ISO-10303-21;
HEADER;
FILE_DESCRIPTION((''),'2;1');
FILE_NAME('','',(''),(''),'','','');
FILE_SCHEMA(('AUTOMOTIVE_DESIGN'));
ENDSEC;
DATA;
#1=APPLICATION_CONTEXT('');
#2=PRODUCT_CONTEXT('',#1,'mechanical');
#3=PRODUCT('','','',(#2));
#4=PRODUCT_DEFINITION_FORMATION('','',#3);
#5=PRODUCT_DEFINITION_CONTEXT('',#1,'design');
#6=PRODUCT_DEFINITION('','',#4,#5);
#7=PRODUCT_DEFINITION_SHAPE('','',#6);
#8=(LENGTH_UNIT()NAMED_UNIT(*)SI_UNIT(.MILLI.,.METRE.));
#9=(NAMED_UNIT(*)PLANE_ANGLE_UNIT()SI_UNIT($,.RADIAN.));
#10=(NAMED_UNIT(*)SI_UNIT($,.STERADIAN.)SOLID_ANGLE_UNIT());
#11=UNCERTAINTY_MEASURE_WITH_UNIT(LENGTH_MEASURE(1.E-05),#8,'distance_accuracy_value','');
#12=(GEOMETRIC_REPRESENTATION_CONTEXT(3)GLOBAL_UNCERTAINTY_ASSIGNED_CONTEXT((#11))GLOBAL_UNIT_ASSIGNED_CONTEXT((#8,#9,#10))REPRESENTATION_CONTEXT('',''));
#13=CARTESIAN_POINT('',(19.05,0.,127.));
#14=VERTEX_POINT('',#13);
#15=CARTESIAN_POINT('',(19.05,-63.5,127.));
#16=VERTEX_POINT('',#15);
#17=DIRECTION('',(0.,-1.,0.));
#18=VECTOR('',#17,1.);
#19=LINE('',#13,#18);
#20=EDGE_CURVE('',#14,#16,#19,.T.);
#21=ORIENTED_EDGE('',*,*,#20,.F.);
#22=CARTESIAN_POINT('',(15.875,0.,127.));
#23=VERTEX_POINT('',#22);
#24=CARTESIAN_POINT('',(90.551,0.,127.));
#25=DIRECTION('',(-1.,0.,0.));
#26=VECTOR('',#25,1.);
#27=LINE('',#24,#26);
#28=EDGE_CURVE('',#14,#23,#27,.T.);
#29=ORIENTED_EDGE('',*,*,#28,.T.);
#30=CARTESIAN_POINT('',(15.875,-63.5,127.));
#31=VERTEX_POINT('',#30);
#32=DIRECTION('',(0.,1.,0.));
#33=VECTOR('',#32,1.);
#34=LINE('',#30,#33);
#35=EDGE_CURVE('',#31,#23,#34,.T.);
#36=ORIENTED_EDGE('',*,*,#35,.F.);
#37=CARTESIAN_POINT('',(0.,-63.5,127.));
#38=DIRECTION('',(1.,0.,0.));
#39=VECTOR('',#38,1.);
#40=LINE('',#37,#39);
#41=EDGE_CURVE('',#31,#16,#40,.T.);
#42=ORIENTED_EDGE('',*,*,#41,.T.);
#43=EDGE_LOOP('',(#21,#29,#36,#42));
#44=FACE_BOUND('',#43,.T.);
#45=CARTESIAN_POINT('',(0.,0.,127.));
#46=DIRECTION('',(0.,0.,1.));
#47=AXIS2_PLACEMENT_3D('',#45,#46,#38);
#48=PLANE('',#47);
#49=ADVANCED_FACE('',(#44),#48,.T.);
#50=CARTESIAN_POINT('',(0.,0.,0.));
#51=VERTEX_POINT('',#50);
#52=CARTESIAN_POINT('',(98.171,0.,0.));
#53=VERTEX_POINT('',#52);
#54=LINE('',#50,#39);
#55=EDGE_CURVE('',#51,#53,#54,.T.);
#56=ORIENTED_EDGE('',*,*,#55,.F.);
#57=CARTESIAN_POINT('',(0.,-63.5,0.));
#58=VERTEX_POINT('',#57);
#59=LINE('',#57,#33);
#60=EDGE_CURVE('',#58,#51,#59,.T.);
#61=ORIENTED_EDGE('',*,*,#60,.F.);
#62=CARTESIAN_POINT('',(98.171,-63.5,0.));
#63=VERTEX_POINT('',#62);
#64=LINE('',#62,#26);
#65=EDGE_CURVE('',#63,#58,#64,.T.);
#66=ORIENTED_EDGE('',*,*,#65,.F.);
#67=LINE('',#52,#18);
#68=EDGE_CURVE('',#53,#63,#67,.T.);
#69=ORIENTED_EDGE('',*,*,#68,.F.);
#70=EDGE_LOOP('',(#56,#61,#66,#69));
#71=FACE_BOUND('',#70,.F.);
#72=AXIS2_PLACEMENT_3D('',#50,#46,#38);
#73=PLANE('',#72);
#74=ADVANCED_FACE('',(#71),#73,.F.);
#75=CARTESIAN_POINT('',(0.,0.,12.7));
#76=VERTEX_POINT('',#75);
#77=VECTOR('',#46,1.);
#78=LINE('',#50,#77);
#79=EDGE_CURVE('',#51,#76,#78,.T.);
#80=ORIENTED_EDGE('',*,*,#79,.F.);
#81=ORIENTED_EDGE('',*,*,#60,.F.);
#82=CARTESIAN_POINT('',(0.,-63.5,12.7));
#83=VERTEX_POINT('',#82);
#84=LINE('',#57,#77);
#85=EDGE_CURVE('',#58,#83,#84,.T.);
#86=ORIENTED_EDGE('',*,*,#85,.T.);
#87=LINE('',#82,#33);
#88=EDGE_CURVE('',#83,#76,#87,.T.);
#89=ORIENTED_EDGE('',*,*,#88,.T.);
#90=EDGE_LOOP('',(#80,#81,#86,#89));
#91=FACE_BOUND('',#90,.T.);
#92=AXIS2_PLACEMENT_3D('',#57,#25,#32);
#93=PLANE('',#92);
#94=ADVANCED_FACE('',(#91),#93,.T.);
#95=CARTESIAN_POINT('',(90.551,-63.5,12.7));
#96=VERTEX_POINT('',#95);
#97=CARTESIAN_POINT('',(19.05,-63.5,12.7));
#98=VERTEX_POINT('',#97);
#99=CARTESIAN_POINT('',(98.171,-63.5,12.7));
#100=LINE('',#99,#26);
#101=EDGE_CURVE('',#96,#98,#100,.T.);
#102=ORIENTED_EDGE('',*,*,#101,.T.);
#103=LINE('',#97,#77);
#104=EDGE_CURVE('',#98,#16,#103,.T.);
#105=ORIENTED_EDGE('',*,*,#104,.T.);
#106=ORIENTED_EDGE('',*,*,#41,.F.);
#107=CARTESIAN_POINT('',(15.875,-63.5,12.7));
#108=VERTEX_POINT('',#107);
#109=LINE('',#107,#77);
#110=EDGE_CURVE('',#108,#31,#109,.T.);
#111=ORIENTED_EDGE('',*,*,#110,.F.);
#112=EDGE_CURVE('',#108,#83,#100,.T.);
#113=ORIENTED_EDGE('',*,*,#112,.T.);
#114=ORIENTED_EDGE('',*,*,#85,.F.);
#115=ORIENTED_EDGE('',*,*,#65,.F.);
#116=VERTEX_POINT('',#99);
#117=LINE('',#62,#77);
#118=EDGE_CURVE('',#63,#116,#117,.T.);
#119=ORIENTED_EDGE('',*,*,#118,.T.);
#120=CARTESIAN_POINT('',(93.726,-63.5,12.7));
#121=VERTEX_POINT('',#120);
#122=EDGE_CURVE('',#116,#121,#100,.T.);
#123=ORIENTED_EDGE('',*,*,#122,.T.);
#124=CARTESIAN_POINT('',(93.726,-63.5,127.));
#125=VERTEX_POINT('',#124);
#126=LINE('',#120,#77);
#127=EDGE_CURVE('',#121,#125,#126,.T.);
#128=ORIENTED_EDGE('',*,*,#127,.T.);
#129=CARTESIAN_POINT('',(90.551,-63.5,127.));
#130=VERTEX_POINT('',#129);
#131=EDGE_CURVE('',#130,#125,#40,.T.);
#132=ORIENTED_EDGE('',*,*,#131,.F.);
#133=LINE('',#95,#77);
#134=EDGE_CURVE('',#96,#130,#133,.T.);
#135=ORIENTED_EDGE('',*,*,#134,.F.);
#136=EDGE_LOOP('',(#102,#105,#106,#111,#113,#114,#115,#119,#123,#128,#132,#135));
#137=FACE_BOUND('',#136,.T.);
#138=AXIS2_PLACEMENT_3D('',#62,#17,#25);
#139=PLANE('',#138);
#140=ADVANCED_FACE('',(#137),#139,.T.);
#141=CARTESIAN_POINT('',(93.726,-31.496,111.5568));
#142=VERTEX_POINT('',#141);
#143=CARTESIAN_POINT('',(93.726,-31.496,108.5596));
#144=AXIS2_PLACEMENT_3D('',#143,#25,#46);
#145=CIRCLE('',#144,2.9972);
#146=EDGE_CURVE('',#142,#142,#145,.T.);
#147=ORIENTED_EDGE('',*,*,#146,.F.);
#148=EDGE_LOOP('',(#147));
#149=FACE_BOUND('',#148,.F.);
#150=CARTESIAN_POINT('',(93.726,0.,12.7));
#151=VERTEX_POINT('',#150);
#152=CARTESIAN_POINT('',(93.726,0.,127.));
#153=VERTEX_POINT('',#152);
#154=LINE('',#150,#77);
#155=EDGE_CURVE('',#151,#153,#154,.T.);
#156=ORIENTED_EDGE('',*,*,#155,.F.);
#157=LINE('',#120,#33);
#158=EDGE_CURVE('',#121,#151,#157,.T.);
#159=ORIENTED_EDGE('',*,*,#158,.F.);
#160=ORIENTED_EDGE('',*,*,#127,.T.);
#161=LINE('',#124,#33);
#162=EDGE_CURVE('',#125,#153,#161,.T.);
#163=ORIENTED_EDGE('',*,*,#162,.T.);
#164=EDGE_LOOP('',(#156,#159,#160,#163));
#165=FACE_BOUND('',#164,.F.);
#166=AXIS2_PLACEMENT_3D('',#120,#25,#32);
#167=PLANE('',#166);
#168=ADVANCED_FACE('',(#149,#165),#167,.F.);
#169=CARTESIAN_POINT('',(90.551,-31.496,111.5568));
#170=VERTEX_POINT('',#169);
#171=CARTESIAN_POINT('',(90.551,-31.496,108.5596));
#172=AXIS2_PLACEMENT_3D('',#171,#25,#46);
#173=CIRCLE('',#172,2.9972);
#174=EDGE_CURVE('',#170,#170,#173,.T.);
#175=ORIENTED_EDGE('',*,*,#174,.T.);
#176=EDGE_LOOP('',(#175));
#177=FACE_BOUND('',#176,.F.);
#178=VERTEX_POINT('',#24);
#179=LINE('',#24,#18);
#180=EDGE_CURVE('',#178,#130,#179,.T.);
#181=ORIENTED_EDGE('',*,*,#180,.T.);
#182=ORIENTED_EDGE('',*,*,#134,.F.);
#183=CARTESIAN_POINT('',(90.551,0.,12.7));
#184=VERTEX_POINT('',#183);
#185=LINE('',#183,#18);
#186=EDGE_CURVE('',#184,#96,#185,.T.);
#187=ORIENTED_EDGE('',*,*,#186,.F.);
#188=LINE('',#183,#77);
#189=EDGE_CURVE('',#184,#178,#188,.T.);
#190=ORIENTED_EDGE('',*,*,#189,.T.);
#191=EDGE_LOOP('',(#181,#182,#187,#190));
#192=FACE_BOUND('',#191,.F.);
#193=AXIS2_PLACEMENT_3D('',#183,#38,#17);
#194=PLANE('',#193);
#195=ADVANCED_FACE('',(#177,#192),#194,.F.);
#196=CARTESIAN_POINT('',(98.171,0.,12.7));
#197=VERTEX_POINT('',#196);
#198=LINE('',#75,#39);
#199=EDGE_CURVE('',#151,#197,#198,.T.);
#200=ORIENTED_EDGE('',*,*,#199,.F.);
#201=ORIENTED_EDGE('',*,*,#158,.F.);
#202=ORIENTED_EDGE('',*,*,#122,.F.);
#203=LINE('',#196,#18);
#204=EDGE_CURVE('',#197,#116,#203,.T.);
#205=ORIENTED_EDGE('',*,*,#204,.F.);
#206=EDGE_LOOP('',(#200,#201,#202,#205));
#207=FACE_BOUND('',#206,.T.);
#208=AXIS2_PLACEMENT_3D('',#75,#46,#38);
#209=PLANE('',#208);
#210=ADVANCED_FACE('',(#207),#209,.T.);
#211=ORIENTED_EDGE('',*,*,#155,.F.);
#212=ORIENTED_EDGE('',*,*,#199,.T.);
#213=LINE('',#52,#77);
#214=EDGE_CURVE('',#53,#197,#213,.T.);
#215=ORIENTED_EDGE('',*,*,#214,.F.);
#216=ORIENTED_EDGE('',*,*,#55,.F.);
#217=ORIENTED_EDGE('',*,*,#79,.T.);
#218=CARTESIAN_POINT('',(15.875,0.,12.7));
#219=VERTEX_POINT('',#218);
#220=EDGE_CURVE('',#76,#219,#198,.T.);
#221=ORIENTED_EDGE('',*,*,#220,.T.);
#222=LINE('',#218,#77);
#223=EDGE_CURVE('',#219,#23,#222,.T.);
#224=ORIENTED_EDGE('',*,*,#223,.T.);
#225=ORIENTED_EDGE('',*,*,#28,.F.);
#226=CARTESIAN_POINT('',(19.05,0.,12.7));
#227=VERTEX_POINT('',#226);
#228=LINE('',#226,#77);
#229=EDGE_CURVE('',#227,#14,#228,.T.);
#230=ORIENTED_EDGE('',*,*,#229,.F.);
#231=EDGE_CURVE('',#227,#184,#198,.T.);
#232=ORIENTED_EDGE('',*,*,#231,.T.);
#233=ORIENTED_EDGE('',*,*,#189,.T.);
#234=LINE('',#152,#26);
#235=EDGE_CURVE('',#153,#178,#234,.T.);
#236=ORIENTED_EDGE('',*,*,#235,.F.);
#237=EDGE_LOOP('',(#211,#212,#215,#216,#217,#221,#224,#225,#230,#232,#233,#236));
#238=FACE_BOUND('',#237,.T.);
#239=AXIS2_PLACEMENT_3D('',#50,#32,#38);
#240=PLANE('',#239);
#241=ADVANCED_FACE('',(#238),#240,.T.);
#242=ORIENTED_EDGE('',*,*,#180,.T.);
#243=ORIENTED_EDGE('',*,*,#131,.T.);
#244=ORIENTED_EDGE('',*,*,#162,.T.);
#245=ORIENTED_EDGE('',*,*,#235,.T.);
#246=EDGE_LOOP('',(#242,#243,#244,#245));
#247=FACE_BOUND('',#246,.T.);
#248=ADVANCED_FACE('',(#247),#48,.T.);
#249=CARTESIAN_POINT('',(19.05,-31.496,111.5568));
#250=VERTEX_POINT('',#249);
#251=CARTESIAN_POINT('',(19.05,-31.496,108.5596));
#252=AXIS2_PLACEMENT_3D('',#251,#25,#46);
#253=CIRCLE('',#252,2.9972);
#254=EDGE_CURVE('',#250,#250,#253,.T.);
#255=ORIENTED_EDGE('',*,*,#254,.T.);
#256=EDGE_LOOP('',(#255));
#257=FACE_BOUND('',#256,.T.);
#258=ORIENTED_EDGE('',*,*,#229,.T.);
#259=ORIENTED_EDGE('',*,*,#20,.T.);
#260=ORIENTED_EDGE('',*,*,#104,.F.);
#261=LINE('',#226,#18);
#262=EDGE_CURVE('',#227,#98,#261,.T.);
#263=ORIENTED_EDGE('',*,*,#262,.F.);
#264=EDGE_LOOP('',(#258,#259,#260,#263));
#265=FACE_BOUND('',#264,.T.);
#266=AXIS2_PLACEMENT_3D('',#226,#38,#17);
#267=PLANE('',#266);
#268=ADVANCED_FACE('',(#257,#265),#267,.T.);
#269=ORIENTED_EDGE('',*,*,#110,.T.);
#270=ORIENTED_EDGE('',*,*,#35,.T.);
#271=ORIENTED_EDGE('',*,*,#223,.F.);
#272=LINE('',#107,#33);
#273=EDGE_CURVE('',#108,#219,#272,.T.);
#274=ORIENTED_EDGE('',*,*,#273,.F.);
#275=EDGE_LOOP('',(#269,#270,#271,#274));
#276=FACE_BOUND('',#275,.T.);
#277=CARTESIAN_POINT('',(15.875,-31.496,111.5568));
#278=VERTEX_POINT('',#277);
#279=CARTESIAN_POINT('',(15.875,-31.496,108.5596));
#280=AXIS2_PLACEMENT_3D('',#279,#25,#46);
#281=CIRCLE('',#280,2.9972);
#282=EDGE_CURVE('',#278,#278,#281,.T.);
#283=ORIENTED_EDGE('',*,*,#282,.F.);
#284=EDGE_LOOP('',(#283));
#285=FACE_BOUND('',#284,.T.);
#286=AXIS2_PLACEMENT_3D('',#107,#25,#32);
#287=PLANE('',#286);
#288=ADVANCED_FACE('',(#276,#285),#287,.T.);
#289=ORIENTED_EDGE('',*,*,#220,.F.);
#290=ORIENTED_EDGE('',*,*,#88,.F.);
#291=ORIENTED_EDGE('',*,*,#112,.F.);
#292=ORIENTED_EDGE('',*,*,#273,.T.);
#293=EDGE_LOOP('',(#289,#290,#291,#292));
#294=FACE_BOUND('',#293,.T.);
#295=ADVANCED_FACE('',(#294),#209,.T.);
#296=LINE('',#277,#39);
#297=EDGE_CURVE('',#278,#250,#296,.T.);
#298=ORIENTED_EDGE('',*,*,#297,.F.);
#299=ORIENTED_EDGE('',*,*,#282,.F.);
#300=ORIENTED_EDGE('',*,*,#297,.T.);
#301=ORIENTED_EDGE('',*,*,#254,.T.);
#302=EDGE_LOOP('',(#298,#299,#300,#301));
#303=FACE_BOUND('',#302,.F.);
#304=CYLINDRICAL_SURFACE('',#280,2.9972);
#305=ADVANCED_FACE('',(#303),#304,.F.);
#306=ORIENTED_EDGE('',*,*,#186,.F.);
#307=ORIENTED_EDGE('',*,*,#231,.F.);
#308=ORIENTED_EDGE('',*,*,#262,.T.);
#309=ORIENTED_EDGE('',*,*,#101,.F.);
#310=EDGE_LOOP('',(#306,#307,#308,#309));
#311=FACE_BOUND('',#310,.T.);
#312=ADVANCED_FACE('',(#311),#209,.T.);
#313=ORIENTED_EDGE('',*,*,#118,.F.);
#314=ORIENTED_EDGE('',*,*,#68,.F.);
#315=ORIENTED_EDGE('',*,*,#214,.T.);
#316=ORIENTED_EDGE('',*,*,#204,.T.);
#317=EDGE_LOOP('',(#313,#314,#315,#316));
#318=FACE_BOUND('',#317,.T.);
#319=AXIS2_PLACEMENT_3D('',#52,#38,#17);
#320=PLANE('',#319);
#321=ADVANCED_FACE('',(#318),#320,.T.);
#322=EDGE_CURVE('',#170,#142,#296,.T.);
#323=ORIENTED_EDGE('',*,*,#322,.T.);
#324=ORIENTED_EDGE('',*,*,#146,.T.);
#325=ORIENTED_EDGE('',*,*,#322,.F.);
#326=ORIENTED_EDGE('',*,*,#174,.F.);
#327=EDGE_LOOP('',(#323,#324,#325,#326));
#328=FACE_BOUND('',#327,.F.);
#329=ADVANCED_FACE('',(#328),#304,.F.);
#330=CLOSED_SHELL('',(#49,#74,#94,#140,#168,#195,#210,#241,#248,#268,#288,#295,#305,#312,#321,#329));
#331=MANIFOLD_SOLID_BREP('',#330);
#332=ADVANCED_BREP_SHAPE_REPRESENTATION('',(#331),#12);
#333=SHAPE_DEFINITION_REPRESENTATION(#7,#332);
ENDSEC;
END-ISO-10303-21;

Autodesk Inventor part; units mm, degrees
ref_plane "YZ Plane" through (0, 0, 0) normal (1, 0, 0) x (0, 1, 0)
ref_plane "XZ Plane" through (0, 0, 0) normal (0, 1, 0) x (-1, 0, 0)
ref_plane "XY Plane" through (0, 0, 0) normal (0, 0, 1) x (1, 0, 0)
sketch "Sketch1" plane through (0, 0, 0) normal (0, 0, 1) x (1, 0, 0)
  line L0 (0, 0) -> (98.171, 0)
  line L1 (98.171, 0) -> (98.171, -63.5)
  line L2 (98.171, -63.5) -> (0, -63.5)
  line L3 (0, -63.5) -> (0, 0)
  dimension "d0" = 98.171
  dimension "d1" = 63.5
extrude "Extrusion1" add sketch "Sketch1" along normal blind 12.7
sketch "Sketch2" plane through (0, 0, 12.7) normal (0, 0, 1) x (1, 0, 0)
  line L0 (0, -63.5) -> (98.171, -63.5) projected
  line L1 (98.171, -63.5) -> (90.551, -63.5)
  line L2 (90.551, -63.5) -> (93.726, -63.5)
  line L3 (93.726, -63.5) -> (93.726, 0)
  line L4 (93.726, 0) -> (90.551, 0)
  line L5 (90.551, 0) -> (90.551, -63.5)
  point P0 (0, 0)
  dimension "d4" = 7.62
  dimension "d5" = 3.175
extrude "Extrusion2" add sketch "Sketch2" along normal blind 114.3
sketch "Sketch3" plane through (0, 0, 12.7) normal (0, 0, 1) x (1, 0, 0)
  line L0 (0, 0) -> (15.875, 0)
  line L1 (90.551, 0) -> (0, 0) projected
  line L2 (0, -63.5) -> (90.551, -63.5) projected
  line L3 (15.875, 0) -> (19.05, 0)
  line L4 (19.05, 0) -> (19.05, -63.5)
  line L5 (19.05, -63.5) -> (15.875, -63.5)
  line L6 (15.875, -63.5) -> (15.875, 0)
  dimension "d8" = 15.875
  dimension "d9" = 3.175
extrude "Extrusion3" add sketch "Sketch3" along normal blind 114.3
sketch "Sketch4" plane through (15.875, -63.5, 12.7) normal (-1, 0, 0) x (0, 0, 1)
  circle A0 centre (95.8596, 32.004) radius 2.9972
  point P0 (-12.7, 63.5)
  point P1 (114.3, 63.5)
  dimension "d14" = 5.9944
extrude "Extrusion4" cut sketch "Sketch4" against normal blind 101.6
properties part number "ChainWheelSubAssemblyMainConnector"
